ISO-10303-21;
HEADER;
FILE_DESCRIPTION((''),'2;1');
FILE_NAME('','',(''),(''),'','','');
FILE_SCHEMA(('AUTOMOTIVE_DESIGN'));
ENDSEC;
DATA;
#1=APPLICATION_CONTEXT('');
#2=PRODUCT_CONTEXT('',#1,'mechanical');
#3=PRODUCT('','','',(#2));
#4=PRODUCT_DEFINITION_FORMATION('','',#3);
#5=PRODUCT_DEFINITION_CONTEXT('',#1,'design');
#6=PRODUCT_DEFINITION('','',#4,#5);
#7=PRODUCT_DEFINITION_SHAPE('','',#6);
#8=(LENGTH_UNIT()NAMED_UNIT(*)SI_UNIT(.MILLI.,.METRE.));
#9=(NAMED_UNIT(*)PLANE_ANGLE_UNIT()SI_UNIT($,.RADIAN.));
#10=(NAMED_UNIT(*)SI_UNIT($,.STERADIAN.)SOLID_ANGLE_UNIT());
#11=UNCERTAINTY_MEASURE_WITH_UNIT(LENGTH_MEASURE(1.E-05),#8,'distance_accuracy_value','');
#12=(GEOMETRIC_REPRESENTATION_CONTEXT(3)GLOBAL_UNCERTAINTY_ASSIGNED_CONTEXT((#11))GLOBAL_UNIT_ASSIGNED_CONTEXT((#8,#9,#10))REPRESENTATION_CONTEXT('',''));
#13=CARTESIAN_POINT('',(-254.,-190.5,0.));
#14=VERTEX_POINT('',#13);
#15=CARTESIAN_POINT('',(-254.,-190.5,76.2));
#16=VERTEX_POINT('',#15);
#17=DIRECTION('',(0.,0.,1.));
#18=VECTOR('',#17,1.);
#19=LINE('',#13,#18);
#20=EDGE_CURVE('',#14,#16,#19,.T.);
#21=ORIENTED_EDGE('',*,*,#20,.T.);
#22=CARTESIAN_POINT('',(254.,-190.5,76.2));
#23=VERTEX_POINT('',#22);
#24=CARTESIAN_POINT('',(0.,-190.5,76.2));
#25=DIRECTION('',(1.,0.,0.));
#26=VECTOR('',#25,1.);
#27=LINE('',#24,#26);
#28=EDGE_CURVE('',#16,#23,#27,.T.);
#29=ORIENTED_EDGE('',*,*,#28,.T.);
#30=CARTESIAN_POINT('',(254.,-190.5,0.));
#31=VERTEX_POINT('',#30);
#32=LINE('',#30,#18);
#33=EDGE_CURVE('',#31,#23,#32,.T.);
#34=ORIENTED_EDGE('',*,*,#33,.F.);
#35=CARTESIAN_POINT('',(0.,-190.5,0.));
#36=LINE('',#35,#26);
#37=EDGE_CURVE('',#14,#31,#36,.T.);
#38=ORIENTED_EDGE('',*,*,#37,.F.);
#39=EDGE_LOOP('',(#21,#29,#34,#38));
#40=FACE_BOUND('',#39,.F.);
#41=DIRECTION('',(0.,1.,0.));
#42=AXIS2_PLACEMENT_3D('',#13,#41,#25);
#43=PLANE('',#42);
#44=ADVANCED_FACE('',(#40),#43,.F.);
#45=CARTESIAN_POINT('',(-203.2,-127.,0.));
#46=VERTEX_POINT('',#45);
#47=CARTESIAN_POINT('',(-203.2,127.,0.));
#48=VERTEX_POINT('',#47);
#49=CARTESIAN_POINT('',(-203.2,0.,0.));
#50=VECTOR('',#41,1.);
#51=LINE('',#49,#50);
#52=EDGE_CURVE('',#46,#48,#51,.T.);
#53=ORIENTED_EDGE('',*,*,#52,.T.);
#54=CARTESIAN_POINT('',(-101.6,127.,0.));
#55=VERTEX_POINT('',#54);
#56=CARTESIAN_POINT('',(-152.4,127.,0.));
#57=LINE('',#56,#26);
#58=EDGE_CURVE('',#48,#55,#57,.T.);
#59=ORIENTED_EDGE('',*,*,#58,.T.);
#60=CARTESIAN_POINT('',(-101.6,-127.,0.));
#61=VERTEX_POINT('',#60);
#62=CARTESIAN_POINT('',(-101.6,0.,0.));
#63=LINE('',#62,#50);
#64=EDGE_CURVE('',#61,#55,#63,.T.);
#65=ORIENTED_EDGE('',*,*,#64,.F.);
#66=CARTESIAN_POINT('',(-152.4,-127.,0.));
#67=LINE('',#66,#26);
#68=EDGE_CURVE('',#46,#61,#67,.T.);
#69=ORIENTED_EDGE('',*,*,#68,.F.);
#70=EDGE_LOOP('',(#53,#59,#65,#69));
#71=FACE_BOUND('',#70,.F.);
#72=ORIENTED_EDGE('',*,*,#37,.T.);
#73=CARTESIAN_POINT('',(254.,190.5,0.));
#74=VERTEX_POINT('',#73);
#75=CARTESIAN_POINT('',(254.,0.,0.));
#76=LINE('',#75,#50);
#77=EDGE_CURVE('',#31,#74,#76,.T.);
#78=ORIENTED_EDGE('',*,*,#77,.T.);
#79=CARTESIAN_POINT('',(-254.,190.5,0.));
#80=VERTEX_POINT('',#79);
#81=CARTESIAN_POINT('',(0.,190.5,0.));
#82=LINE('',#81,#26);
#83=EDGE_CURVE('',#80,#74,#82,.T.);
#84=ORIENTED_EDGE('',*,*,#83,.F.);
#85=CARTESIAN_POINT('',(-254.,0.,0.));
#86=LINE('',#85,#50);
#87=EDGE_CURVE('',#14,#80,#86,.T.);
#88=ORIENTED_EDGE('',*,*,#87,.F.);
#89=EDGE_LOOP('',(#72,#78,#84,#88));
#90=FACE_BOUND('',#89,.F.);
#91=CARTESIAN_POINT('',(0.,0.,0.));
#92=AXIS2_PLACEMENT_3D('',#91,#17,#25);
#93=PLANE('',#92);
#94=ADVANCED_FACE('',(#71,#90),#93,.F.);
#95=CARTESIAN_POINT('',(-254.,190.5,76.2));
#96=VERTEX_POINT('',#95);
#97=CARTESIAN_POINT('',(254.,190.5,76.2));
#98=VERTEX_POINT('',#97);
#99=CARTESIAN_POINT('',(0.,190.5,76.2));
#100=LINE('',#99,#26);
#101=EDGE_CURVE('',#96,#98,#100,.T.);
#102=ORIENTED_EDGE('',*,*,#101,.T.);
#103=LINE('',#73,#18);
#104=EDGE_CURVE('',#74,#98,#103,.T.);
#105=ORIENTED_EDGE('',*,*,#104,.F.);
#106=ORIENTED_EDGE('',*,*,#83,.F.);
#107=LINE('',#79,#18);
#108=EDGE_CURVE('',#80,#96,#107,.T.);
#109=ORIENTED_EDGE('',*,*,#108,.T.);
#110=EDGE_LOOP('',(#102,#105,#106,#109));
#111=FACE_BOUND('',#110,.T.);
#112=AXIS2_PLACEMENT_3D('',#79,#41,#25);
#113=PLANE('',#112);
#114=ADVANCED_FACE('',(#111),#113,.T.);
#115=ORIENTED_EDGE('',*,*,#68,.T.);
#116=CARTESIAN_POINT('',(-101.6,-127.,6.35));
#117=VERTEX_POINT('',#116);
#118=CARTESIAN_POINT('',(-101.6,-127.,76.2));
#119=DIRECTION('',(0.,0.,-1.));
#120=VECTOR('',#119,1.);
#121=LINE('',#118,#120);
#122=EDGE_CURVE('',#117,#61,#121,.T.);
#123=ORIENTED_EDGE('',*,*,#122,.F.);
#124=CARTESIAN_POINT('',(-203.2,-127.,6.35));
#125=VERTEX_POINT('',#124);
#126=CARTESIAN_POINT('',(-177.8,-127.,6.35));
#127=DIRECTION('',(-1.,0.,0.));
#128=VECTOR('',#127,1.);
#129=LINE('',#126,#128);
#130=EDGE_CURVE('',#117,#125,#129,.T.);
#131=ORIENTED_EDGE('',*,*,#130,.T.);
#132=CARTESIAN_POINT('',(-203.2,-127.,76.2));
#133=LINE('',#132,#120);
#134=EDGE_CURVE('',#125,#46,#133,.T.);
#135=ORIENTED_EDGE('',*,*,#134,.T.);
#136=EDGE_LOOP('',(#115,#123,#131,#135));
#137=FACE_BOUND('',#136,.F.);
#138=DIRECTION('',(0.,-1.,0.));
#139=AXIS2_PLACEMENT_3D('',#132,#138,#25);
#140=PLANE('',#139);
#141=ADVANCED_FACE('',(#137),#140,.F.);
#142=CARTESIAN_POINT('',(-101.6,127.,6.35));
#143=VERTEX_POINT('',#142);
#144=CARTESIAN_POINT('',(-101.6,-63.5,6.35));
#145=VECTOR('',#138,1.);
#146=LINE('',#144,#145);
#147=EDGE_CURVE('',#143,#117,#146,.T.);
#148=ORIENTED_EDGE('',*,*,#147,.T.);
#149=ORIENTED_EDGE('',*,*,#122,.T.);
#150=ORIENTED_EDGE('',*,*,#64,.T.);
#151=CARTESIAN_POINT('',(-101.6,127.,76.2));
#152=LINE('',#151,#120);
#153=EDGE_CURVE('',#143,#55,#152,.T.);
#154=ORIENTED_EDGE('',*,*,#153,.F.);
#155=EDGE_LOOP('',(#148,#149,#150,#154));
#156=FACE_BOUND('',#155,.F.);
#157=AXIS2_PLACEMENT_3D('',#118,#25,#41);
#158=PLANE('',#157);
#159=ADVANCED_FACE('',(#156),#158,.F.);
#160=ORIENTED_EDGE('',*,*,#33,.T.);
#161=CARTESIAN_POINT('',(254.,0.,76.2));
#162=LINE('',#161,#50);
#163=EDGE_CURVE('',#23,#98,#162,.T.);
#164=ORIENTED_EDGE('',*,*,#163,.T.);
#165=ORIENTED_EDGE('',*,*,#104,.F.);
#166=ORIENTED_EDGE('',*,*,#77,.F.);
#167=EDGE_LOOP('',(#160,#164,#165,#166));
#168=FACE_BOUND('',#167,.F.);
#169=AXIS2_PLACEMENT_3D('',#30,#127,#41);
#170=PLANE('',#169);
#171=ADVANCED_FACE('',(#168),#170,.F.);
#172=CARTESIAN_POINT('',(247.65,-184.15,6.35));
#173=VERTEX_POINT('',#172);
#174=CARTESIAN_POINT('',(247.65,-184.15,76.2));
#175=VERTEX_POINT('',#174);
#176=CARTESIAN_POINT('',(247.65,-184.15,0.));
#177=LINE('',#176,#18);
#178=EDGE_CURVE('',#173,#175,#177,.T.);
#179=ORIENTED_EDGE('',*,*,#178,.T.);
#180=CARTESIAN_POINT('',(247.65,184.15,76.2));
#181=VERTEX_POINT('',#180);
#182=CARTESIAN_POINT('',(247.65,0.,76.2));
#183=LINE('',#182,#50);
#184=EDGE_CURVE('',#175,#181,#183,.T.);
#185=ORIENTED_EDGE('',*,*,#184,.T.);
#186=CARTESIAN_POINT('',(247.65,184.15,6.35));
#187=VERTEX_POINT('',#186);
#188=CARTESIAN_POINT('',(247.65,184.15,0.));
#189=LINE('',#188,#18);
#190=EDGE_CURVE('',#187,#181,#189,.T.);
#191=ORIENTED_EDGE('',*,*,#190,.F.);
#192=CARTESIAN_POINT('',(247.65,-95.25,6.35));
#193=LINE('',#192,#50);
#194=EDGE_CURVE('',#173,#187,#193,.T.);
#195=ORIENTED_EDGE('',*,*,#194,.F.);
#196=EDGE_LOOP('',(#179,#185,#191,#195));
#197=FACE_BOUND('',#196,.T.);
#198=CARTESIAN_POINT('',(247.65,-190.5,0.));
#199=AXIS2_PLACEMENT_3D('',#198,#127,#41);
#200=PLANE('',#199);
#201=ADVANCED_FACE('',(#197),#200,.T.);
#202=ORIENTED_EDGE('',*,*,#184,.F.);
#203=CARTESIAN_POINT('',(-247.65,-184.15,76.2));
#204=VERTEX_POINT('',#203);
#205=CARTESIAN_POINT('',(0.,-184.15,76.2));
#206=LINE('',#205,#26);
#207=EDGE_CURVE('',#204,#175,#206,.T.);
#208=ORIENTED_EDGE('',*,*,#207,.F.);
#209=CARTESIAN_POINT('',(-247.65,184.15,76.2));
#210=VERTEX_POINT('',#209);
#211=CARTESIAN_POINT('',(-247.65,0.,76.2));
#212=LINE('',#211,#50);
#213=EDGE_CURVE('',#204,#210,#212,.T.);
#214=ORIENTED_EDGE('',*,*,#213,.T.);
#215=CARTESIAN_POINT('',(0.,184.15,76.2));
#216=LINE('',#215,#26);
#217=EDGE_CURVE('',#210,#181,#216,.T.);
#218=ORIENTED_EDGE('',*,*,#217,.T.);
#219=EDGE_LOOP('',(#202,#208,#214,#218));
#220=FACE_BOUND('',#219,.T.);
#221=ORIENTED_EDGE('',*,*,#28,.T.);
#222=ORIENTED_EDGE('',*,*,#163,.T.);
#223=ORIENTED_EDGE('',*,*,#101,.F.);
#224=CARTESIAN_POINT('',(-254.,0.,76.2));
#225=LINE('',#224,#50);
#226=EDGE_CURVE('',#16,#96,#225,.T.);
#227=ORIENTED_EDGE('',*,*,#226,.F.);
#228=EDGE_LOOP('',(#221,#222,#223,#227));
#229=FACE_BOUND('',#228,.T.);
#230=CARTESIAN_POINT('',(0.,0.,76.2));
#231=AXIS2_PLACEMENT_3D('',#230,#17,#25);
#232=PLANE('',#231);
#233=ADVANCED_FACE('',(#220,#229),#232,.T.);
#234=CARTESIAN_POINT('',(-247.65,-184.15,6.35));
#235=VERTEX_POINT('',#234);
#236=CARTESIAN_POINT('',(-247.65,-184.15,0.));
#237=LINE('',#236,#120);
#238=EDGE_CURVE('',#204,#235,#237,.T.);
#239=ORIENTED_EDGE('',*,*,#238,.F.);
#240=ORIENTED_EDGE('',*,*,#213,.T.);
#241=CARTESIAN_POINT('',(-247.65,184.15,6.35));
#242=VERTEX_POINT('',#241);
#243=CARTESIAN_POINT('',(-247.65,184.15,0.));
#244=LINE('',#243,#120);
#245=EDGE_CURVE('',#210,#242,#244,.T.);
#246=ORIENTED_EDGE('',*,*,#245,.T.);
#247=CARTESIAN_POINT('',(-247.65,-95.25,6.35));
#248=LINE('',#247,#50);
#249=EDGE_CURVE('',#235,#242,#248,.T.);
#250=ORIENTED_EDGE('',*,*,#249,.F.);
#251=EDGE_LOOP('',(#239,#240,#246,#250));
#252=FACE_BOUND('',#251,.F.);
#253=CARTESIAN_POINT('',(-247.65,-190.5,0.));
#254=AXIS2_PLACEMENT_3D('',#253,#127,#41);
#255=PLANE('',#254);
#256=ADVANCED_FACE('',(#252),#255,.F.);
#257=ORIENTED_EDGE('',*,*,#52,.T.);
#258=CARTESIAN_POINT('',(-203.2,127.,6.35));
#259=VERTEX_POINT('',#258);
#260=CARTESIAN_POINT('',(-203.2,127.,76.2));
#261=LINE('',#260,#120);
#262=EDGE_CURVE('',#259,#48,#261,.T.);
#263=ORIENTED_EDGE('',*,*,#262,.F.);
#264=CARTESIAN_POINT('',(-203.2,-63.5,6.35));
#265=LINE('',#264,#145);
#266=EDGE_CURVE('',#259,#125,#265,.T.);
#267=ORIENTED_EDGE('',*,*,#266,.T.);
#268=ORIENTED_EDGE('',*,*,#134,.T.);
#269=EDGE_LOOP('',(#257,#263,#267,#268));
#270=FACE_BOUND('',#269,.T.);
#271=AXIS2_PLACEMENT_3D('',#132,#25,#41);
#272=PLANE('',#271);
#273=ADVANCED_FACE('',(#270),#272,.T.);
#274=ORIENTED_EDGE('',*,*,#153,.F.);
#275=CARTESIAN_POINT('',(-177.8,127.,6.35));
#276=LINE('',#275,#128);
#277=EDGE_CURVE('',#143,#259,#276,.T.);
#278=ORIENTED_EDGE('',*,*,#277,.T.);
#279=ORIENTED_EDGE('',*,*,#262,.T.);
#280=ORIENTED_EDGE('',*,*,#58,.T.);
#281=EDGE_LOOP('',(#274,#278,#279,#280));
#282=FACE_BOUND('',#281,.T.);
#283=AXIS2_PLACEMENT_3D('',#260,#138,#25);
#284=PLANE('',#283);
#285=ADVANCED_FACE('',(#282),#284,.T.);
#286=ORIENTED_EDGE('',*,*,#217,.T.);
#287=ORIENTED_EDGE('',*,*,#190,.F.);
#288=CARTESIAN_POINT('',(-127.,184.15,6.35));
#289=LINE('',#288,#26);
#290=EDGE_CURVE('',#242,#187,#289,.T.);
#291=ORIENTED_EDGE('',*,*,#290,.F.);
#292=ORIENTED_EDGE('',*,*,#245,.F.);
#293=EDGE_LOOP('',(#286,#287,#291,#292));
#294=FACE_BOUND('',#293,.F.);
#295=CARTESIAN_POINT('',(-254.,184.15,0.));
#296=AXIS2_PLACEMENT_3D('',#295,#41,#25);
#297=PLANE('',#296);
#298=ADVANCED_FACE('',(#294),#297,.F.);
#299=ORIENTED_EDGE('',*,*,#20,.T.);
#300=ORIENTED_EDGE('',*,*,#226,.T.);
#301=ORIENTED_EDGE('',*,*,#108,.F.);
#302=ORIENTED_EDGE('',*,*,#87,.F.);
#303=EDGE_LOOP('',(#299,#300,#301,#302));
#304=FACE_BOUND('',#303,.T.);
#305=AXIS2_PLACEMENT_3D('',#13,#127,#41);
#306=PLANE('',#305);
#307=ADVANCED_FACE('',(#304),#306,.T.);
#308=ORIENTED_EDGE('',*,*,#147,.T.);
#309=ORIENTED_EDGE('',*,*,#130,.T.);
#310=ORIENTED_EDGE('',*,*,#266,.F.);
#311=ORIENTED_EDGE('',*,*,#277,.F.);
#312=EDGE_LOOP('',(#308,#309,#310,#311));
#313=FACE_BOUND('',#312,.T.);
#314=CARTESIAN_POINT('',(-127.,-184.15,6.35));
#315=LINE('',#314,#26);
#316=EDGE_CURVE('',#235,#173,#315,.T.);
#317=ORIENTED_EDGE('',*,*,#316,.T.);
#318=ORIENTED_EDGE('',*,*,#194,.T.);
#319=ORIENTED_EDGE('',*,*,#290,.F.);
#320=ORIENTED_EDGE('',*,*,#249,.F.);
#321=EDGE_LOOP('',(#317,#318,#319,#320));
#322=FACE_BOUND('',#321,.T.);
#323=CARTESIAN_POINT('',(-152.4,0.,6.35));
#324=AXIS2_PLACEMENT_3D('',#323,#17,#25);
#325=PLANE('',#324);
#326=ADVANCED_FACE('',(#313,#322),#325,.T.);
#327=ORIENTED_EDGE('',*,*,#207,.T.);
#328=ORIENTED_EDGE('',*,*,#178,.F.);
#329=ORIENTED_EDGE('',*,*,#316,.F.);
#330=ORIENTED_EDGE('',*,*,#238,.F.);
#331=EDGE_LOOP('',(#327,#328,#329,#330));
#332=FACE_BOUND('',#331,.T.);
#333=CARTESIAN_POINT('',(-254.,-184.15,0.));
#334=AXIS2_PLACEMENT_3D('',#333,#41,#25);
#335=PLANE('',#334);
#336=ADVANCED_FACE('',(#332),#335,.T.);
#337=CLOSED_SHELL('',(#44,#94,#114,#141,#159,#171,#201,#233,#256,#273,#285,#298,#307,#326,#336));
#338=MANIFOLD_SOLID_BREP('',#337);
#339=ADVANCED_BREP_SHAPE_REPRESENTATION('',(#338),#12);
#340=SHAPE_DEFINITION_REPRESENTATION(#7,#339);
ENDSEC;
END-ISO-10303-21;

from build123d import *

# Parameters (mm, degrees)
F0_W     = 508
F0_H     = 381
F1_DEPTH = 76.2
F2_W     = 101.6
F2_H     = 254
F3_DEPTH = 76.2
F4_T     = -6.35
F5_W     = 114.3
F5_H     = 266.7
F6_DEPTH = 69.85


with BuildPart() as f1:
    # F0 (on Top) → F1 (new body)
    with BuildSketch(Plane.XY):
        Rectangle(F0_W, F0_H)
    extrude(amount=F1_DEPTH)

    # F2 (on face) → F3 (cut, through all)
    with BuildSketch(Plane.XY.offset(76.2)):
        with Locations((-152.4, 0)):
            Rectangle(F2_W, F2_H)
    extrude(amount=-F3_DEPTH, mode=Mode.SUBTRACT)

    # F4
    f4_openings = [f1.faces().sort_by_distance(p)[0] for p in [
        (23.446154, 0, 76.2),
    ]]
    offset(amount=F4_T, openings=f4_openings)

    # F5 (on face) → F6 (cut)
    with BuildSketch(Plane.XY.offset(76.2)):
        with Locations((-152.4, 0)):
            Rectangle(F5_W, F5_H)
    extrude(amount=-F6_DEPTH, mode=Mode.SUBTRACT)


solid = f1.part
